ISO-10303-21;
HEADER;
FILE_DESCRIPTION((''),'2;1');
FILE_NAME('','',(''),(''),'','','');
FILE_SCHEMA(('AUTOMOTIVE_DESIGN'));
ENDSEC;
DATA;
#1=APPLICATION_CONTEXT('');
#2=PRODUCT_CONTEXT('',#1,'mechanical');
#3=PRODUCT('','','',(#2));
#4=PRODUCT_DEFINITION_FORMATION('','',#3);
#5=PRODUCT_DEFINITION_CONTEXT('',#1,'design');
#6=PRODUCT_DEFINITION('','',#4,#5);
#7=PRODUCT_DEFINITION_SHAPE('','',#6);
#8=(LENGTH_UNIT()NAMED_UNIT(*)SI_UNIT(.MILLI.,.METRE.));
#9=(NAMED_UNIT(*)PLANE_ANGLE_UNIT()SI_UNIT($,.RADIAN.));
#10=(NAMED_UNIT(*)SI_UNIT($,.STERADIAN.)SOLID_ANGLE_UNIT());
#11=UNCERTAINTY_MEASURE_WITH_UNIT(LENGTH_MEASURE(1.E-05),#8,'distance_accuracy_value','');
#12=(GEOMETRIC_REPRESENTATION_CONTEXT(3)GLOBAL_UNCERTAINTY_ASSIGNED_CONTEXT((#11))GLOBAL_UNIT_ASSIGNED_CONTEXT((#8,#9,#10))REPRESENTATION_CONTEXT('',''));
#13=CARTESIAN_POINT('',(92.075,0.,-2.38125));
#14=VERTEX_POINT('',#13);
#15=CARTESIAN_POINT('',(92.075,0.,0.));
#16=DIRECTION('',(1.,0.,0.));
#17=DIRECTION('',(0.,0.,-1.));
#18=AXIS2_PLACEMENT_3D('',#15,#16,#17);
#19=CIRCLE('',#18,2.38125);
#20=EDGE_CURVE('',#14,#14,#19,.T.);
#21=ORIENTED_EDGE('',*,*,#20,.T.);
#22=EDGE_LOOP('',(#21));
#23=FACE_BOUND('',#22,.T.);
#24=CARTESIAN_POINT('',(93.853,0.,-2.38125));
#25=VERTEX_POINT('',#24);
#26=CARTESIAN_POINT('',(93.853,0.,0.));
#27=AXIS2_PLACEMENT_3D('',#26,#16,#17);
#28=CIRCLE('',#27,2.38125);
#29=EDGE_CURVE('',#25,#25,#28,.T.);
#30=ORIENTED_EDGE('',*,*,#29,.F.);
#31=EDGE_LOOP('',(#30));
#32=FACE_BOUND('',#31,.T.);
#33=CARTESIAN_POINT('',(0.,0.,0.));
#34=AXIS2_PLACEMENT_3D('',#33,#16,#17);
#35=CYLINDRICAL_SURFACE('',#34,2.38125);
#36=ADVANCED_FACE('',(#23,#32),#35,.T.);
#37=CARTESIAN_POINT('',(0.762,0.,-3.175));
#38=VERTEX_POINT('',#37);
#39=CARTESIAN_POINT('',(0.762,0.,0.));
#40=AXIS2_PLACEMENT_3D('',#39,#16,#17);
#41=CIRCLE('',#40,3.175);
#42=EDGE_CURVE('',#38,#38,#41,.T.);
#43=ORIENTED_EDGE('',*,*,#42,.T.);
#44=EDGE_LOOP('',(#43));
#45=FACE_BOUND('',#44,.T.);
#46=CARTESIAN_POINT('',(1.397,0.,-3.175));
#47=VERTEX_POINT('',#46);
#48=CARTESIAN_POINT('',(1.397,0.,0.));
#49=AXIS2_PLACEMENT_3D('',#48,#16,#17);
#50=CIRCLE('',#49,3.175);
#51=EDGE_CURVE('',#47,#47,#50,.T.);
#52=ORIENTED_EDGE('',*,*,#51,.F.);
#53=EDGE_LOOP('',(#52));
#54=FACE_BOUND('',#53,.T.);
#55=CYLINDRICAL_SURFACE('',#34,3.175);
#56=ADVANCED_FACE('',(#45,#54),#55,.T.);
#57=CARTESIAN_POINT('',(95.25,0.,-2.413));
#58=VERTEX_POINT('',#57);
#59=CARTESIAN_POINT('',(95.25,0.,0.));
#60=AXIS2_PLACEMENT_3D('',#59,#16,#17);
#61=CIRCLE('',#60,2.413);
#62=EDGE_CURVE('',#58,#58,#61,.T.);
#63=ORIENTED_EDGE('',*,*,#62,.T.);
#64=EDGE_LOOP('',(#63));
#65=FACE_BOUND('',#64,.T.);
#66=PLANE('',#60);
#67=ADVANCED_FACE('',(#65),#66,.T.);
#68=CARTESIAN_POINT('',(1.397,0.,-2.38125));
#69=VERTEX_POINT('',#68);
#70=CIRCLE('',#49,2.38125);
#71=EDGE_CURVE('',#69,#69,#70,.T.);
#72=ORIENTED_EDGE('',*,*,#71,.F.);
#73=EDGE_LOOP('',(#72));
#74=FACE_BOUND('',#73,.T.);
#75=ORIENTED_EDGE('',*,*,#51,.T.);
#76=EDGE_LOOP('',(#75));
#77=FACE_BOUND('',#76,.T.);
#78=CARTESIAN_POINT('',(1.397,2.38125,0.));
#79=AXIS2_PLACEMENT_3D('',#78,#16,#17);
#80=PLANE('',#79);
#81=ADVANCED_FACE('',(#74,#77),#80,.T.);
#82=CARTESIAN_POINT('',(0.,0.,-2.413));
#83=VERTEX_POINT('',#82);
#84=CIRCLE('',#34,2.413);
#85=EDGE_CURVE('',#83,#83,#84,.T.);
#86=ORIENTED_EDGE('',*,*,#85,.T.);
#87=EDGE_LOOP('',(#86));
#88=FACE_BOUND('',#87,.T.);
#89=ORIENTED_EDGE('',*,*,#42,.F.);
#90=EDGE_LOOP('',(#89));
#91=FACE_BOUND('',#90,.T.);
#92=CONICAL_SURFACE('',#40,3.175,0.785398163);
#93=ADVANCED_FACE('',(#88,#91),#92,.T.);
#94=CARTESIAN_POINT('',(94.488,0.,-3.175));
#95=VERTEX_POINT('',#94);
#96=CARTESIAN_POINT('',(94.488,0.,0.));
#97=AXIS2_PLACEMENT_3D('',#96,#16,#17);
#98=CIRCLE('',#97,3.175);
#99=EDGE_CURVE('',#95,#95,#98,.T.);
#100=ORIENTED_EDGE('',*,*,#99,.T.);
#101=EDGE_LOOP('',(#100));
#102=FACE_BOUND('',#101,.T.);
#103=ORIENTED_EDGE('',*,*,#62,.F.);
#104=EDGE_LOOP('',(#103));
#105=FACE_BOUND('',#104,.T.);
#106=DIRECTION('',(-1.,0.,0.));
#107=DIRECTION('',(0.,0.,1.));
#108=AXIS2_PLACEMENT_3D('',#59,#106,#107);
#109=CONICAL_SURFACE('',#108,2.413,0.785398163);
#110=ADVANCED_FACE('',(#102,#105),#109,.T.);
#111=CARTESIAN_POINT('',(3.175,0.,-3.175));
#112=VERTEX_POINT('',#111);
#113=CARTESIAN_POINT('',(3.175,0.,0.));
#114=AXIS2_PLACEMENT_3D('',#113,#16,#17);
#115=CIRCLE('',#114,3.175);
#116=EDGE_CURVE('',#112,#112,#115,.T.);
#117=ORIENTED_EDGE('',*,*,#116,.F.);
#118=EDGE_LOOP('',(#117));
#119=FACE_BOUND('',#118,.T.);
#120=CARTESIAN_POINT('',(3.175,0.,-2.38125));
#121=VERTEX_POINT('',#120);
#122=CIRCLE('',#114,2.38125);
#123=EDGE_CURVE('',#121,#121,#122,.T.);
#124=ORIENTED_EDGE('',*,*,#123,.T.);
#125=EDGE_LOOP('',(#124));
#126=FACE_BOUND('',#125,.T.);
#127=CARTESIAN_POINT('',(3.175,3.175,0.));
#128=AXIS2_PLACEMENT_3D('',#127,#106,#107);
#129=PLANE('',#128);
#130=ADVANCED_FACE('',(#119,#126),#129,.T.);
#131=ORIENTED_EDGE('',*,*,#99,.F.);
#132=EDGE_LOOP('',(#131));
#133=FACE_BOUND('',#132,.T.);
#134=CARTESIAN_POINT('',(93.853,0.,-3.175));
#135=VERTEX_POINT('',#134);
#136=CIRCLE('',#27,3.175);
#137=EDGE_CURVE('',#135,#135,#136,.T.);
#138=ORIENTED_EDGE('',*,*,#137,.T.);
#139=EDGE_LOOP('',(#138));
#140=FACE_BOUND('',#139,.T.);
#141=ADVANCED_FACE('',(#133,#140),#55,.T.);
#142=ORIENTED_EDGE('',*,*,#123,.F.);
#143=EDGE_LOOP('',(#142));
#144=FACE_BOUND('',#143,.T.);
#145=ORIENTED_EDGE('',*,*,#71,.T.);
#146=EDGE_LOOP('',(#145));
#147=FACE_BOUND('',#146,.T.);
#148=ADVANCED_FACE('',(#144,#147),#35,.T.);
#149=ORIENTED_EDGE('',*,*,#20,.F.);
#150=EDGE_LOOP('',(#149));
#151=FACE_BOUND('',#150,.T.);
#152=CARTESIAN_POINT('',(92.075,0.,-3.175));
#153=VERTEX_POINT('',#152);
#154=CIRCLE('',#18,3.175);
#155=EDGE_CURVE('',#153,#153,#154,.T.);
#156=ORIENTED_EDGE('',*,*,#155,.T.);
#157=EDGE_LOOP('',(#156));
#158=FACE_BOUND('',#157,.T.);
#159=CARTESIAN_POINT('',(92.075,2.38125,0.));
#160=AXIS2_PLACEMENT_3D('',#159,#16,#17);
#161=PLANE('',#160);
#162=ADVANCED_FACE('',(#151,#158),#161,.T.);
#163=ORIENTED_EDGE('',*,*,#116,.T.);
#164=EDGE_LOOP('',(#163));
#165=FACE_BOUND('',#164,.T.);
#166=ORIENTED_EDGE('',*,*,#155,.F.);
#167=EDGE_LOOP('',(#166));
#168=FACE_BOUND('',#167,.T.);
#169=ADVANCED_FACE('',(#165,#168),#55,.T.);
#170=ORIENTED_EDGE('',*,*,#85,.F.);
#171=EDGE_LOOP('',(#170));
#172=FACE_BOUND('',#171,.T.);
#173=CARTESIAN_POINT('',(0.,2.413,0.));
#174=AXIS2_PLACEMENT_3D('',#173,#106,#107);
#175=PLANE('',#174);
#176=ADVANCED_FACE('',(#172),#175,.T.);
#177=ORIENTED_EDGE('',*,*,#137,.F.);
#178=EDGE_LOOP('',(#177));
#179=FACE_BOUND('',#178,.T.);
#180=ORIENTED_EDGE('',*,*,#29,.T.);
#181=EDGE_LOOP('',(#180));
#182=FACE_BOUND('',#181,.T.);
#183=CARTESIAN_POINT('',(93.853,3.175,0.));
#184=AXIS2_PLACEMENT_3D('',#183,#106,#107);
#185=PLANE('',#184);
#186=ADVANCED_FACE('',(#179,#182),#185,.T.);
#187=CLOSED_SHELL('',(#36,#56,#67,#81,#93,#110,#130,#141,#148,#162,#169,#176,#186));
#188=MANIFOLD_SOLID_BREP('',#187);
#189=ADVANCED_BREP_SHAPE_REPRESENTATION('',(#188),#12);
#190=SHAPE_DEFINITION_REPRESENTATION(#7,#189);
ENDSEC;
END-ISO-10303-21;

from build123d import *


with BuildPart() as part:
    # Sketch1 → Revolve1 (revolve)
    with BuildSketch(Plane.XY):
        Polygon((0, 0), (95.25, 0), (95.25, 2.413), (94.488, 3.175), (93.853, 3.175), (93.853, 2.38125), (92.075, 2.38125), (92.075, 3.175), (3.175, 3.175), (3.175, 2.38125), (1.397, 2.38125), (1.397, 3.175), (0.762, 3.175), (0, 2.413), align=None)
    revolve(axis=Axis((0, 0, 0), (-1, 0, 0)))


solid = part.part
